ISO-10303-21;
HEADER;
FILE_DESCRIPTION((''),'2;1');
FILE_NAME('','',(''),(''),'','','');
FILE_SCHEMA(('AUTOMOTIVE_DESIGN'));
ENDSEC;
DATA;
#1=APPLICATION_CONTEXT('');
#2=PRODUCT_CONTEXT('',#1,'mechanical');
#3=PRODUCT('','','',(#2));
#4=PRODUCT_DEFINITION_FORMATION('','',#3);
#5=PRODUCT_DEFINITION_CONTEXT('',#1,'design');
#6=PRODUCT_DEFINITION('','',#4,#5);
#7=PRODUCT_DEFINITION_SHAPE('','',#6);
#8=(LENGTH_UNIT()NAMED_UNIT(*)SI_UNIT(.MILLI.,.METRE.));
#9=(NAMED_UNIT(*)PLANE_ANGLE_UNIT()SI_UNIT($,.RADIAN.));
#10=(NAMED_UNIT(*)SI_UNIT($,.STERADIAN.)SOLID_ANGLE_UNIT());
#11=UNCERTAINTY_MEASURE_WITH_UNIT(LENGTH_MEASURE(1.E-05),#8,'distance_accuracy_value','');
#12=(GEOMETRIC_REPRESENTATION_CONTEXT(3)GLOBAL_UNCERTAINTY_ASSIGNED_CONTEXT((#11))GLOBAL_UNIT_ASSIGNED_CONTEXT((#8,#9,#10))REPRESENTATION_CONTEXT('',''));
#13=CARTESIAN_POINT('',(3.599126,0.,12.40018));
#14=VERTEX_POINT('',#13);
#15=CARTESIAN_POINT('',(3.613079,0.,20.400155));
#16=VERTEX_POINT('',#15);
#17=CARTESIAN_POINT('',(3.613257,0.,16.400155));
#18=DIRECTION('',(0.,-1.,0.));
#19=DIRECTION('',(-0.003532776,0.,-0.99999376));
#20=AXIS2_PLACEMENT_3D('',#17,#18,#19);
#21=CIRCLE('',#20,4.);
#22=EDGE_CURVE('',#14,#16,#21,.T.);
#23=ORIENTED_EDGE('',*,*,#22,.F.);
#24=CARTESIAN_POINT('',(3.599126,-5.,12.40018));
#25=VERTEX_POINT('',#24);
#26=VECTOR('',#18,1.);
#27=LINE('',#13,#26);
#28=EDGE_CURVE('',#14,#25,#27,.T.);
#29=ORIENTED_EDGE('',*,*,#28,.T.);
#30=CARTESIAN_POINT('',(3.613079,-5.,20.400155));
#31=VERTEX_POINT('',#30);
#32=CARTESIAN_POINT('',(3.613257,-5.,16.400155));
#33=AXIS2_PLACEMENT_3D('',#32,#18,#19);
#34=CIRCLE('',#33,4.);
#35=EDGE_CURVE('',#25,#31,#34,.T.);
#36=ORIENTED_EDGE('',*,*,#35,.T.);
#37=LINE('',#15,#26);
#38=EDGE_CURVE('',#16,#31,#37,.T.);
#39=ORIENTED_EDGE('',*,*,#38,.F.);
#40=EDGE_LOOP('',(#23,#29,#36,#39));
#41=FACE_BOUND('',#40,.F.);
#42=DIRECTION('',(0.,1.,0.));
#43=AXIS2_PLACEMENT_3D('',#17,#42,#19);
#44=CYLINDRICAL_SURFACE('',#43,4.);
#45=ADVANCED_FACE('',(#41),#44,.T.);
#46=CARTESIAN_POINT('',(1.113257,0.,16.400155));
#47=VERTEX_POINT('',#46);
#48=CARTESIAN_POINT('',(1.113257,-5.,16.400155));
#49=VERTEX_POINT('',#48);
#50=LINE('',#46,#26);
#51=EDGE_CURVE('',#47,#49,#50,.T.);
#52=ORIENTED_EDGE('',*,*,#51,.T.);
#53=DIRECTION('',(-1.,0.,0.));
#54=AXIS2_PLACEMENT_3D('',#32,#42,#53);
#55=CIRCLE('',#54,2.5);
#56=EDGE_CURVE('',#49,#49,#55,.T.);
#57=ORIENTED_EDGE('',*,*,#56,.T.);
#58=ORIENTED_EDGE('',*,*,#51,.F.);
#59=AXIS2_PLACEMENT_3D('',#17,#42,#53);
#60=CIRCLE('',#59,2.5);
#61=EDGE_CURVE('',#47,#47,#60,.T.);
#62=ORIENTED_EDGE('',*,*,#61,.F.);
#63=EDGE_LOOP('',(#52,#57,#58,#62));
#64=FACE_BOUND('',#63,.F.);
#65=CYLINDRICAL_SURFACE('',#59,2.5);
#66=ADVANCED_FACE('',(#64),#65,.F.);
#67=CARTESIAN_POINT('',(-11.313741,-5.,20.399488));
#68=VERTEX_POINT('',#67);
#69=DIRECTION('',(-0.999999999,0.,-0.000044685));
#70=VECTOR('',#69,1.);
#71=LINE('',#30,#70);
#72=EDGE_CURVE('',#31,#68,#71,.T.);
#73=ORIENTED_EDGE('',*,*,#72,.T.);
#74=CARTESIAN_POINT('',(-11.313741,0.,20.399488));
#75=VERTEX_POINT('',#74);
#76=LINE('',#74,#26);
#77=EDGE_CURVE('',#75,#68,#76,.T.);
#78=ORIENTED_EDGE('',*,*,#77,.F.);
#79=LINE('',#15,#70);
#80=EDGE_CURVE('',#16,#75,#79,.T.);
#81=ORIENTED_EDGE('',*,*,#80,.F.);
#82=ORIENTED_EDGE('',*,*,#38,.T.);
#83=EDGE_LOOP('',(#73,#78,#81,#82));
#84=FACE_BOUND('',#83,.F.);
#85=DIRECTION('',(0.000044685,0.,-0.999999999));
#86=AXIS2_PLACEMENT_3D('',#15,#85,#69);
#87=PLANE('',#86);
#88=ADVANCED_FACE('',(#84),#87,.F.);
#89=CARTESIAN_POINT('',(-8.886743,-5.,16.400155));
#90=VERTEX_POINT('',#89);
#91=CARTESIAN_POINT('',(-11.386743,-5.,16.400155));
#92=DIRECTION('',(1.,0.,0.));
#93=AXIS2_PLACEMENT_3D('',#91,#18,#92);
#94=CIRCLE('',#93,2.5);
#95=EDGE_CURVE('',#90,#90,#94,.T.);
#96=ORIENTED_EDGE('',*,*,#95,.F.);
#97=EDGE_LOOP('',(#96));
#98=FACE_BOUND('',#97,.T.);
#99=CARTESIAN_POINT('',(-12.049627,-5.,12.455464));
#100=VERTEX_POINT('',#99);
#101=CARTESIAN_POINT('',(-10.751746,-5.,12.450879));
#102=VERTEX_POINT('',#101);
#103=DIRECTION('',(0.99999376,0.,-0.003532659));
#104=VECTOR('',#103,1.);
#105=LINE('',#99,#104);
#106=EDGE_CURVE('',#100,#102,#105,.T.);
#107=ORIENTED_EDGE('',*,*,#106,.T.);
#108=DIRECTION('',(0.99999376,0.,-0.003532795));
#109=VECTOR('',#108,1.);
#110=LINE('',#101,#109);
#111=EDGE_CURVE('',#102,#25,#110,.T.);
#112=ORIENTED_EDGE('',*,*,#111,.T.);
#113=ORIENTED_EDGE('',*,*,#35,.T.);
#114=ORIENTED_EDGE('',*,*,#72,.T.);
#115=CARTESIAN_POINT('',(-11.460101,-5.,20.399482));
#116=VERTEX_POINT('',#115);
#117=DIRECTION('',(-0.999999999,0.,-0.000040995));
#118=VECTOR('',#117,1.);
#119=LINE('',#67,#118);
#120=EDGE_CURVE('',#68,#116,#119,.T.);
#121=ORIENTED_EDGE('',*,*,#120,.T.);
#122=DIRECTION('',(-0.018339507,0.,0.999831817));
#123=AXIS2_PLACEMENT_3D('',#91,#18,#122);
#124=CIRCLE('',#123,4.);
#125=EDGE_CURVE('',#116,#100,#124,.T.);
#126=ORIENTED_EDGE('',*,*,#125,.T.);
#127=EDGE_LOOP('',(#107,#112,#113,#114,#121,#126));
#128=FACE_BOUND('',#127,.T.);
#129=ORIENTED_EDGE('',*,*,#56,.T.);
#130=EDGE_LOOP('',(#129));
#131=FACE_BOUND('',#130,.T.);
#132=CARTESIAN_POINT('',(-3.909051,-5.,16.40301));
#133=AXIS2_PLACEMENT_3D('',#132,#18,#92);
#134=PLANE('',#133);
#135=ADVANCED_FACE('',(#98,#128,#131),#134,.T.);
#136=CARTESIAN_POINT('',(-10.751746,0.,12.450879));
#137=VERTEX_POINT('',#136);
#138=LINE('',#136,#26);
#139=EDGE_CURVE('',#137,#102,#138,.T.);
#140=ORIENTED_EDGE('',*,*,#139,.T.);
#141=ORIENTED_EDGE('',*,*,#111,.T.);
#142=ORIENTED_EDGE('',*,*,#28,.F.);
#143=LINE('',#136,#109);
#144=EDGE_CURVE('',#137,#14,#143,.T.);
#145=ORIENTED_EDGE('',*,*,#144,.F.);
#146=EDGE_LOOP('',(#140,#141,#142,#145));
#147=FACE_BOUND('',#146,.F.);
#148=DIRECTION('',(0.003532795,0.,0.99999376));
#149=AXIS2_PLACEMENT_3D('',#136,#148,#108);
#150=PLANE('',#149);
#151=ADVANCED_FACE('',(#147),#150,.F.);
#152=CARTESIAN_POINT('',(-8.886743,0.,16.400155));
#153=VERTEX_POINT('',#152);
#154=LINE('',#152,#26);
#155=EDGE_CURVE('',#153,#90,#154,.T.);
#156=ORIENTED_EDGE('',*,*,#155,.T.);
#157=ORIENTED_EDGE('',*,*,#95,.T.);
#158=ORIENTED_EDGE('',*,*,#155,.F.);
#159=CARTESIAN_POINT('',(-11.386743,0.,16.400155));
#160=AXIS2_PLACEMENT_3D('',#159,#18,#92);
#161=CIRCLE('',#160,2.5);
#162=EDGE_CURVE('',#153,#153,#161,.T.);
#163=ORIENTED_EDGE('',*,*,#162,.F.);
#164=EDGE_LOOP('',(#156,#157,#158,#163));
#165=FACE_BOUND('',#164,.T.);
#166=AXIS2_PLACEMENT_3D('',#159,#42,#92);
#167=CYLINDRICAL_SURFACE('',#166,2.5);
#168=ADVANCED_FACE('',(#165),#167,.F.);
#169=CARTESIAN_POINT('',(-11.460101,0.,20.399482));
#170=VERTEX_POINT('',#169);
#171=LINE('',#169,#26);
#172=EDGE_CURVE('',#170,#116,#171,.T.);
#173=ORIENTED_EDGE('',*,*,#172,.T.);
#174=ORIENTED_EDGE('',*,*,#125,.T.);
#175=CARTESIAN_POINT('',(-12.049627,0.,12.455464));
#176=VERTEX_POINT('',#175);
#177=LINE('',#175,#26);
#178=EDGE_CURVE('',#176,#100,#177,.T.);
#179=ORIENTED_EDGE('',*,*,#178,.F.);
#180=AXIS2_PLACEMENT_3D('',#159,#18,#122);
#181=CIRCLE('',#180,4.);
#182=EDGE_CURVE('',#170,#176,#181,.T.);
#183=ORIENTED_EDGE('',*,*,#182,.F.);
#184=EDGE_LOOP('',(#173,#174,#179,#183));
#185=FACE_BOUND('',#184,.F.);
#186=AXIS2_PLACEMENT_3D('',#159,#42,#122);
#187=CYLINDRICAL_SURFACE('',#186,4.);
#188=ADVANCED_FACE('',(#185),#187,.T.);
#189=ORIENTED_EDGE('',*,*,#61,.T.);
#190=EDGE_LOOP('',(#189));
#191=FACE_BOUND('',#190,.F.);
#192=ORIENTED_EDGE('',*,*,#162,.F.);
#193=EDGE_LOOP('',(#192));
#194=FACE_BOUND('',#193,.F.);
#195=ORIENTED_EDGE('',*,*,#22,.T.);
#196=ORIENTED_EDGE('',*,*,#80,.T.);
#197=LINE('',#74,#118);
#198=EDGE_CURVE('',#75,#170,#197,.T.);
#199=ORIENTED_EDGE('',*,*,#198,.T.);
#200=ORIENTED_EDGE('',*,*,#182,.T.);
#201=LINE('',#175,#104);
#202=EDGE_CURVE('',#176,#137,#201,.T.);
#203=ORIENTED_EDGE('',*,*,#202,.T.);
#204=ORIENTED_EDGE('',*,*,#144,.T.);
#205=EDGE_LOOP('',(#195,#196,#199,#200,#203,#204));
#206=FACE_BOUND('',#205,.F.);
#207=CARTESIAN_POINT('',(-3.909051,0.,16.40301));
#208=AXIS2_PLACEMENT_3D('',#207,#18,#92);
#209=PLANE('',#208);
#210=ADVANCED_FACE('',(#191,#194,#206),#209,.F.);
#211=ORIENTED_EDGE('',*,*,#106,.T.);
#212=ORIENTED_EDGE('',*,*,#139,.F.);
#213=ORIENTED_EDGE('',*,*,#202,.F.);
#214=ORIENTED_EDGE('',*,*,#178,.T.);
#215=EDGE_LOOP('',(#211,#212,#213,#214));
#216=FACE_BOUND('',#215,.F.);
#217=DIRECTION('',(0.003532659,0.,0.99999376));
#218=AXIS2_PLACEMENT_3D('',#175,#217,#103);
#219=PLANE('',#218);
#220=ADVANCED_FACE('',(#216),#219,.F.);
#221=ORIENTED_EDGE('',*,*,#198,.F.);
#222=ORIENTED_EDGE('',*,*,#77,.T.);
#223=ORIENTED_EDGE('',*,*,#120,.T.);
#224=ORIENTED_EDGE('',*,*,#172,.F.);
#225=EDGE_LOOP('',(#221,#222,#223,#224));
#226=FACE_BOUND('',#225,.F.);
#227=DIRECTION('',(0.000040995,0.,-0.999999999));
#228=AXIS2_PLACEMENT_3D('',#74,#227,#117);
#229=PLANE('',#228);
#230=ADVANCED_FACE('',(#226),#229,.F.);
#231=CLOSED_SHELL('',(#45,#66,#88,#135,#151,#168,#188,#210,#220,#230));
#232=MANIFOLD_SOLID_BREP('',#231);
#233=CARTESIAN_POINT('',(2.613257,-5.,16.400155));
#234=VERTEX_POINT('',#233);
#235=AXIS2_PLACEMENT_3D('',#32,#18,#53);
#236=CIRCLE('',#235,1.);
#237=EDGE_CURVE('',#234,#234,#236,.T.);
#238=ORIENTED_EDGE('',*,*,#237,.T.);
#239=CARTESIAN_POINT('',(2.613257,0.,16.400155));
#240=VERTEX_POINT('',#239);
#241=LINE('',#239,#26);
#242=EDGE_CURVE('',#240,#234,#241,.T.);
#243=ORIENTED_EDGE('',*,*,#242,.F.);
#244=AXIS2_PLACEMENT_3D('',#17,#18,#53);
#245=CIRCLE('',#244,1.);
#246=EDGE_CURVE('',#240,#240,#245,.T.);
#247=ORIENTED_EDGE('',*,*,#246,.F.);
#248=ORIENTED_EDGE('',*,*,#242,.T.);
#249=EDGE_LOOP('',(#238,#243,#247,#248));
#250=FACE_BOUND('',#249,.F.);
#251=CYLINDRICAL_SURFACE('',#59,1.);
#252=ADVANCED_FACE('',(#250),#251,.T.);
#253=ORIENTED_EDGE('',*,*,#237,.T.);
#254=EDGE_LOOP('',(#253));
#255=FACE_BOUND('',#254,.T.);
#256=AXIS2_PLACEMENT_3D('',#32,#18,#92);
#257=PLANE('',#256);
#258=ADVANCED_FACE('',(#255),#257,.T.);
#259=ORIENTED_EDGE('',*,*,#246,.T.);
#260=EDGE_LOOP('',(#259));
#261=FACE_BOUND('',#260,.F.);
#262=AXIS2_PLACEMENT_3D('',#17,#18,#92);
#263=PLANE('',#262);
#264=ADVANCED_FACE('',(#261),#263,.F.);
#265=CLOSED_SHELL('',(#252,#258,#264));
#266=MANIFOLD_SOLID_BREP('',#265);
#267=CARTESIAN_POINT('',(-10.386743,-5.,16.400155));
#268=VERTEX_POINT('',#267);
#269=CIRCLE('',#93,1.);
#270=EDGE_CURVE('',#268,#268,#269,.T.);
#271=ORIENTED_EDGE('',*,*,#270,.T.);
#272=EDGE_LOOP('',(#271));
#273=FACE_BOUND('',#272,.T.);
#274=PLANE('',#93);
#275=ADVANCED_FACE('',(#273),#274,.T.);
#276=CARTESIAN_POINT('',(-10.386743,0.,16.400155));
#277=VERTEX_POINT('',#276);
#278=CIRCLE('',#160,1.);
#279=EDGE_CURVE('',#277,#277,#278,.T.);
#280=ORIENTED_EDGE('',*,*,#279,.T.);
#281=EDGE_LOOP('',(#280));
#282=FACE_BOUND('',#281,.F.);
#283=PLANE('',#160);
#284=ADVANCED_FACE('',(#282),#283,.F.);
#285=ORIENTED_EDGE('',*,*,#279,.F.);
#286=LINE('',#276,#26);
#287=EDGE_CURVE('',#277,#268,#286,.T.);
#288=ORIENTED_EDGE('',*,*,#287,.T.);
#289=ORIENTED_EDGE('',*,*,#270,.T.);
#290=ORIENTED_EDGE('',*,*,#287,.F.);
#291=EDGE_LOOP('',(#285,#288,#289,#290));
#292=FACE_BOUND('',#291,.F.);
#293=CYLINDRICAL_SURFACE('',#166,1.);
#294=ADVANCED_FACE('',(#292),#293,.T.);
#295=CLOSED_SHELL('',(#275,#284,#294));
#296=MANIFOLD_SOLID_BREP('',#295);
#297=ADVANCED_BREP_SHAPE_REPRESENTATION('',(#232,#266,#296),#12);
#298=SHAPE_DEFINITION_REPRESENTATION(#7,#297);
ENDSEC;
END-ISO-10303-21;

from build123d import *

# Parameters (mm, degrees)
F0_R     = 2.5
F1_DEPTH = 5
F0_R_2   = 1
F2_DEPTH = 5


with BuildPart() as f1:
    # F0 (on Front) → F1 (new body)
    with BuildSketch(Plane.XZ):
        with BuildLine():
            Line((3.613079, 20.400155), (-11.313741, 20.399488))
            Line((-11.313741, 20.399488), (-11.460101, 20.399482))
            ThreePointArc((-11.460101, 20.399482), (-15.375774, 16.696181), (-12.049627, 12.455464))
            Line((-12.049627, 12.455464), (-10.751746, 12.450879))
            Line((-10.751746, 12.450879), (3.599126, 12.40018))
            ThreePointArc((3.599126, 12.40018), (7.613251, 16.393178), (3.613079, 20.400155))
        make_face()
        with Locations((-11.386743, 16.400155)):
            Circle(F0_R, mode=Mode.SUBTRACT)
        with BuildLine():
            ThreePointArc((6.113257, 16.400155), (3.613257, 13.900155), (1.113257, 16.400155))
            ThreePointArc((1.113257, 16.400155), (3.613257, 18.900155), (6.113257, 16.400155))
        make_face(mode=Mode.SUBTRACT)
    extrude(amount=F1_DEPTH)


with BuildPart() as f2:
    # F0 (on Front) → F2 (new body)
    with BuildSketch(Plane.XZ):
        with Locations((-11.386743, 16.400155)):
            Circle(F0_R_2)
        with BuildLine():
            ThreePointArc((4.613257, 16.400155), (3.613257, 17.400155), (2.613257, 16.400155))
            ThreePointArc((2.613257, 16.400155), (3.613257, 15.400155), (4.613257, 16.400155))
        make_face()
    extrude(amount=F2_DEPTH)


solid = Compound([f1.part, f2.part])
